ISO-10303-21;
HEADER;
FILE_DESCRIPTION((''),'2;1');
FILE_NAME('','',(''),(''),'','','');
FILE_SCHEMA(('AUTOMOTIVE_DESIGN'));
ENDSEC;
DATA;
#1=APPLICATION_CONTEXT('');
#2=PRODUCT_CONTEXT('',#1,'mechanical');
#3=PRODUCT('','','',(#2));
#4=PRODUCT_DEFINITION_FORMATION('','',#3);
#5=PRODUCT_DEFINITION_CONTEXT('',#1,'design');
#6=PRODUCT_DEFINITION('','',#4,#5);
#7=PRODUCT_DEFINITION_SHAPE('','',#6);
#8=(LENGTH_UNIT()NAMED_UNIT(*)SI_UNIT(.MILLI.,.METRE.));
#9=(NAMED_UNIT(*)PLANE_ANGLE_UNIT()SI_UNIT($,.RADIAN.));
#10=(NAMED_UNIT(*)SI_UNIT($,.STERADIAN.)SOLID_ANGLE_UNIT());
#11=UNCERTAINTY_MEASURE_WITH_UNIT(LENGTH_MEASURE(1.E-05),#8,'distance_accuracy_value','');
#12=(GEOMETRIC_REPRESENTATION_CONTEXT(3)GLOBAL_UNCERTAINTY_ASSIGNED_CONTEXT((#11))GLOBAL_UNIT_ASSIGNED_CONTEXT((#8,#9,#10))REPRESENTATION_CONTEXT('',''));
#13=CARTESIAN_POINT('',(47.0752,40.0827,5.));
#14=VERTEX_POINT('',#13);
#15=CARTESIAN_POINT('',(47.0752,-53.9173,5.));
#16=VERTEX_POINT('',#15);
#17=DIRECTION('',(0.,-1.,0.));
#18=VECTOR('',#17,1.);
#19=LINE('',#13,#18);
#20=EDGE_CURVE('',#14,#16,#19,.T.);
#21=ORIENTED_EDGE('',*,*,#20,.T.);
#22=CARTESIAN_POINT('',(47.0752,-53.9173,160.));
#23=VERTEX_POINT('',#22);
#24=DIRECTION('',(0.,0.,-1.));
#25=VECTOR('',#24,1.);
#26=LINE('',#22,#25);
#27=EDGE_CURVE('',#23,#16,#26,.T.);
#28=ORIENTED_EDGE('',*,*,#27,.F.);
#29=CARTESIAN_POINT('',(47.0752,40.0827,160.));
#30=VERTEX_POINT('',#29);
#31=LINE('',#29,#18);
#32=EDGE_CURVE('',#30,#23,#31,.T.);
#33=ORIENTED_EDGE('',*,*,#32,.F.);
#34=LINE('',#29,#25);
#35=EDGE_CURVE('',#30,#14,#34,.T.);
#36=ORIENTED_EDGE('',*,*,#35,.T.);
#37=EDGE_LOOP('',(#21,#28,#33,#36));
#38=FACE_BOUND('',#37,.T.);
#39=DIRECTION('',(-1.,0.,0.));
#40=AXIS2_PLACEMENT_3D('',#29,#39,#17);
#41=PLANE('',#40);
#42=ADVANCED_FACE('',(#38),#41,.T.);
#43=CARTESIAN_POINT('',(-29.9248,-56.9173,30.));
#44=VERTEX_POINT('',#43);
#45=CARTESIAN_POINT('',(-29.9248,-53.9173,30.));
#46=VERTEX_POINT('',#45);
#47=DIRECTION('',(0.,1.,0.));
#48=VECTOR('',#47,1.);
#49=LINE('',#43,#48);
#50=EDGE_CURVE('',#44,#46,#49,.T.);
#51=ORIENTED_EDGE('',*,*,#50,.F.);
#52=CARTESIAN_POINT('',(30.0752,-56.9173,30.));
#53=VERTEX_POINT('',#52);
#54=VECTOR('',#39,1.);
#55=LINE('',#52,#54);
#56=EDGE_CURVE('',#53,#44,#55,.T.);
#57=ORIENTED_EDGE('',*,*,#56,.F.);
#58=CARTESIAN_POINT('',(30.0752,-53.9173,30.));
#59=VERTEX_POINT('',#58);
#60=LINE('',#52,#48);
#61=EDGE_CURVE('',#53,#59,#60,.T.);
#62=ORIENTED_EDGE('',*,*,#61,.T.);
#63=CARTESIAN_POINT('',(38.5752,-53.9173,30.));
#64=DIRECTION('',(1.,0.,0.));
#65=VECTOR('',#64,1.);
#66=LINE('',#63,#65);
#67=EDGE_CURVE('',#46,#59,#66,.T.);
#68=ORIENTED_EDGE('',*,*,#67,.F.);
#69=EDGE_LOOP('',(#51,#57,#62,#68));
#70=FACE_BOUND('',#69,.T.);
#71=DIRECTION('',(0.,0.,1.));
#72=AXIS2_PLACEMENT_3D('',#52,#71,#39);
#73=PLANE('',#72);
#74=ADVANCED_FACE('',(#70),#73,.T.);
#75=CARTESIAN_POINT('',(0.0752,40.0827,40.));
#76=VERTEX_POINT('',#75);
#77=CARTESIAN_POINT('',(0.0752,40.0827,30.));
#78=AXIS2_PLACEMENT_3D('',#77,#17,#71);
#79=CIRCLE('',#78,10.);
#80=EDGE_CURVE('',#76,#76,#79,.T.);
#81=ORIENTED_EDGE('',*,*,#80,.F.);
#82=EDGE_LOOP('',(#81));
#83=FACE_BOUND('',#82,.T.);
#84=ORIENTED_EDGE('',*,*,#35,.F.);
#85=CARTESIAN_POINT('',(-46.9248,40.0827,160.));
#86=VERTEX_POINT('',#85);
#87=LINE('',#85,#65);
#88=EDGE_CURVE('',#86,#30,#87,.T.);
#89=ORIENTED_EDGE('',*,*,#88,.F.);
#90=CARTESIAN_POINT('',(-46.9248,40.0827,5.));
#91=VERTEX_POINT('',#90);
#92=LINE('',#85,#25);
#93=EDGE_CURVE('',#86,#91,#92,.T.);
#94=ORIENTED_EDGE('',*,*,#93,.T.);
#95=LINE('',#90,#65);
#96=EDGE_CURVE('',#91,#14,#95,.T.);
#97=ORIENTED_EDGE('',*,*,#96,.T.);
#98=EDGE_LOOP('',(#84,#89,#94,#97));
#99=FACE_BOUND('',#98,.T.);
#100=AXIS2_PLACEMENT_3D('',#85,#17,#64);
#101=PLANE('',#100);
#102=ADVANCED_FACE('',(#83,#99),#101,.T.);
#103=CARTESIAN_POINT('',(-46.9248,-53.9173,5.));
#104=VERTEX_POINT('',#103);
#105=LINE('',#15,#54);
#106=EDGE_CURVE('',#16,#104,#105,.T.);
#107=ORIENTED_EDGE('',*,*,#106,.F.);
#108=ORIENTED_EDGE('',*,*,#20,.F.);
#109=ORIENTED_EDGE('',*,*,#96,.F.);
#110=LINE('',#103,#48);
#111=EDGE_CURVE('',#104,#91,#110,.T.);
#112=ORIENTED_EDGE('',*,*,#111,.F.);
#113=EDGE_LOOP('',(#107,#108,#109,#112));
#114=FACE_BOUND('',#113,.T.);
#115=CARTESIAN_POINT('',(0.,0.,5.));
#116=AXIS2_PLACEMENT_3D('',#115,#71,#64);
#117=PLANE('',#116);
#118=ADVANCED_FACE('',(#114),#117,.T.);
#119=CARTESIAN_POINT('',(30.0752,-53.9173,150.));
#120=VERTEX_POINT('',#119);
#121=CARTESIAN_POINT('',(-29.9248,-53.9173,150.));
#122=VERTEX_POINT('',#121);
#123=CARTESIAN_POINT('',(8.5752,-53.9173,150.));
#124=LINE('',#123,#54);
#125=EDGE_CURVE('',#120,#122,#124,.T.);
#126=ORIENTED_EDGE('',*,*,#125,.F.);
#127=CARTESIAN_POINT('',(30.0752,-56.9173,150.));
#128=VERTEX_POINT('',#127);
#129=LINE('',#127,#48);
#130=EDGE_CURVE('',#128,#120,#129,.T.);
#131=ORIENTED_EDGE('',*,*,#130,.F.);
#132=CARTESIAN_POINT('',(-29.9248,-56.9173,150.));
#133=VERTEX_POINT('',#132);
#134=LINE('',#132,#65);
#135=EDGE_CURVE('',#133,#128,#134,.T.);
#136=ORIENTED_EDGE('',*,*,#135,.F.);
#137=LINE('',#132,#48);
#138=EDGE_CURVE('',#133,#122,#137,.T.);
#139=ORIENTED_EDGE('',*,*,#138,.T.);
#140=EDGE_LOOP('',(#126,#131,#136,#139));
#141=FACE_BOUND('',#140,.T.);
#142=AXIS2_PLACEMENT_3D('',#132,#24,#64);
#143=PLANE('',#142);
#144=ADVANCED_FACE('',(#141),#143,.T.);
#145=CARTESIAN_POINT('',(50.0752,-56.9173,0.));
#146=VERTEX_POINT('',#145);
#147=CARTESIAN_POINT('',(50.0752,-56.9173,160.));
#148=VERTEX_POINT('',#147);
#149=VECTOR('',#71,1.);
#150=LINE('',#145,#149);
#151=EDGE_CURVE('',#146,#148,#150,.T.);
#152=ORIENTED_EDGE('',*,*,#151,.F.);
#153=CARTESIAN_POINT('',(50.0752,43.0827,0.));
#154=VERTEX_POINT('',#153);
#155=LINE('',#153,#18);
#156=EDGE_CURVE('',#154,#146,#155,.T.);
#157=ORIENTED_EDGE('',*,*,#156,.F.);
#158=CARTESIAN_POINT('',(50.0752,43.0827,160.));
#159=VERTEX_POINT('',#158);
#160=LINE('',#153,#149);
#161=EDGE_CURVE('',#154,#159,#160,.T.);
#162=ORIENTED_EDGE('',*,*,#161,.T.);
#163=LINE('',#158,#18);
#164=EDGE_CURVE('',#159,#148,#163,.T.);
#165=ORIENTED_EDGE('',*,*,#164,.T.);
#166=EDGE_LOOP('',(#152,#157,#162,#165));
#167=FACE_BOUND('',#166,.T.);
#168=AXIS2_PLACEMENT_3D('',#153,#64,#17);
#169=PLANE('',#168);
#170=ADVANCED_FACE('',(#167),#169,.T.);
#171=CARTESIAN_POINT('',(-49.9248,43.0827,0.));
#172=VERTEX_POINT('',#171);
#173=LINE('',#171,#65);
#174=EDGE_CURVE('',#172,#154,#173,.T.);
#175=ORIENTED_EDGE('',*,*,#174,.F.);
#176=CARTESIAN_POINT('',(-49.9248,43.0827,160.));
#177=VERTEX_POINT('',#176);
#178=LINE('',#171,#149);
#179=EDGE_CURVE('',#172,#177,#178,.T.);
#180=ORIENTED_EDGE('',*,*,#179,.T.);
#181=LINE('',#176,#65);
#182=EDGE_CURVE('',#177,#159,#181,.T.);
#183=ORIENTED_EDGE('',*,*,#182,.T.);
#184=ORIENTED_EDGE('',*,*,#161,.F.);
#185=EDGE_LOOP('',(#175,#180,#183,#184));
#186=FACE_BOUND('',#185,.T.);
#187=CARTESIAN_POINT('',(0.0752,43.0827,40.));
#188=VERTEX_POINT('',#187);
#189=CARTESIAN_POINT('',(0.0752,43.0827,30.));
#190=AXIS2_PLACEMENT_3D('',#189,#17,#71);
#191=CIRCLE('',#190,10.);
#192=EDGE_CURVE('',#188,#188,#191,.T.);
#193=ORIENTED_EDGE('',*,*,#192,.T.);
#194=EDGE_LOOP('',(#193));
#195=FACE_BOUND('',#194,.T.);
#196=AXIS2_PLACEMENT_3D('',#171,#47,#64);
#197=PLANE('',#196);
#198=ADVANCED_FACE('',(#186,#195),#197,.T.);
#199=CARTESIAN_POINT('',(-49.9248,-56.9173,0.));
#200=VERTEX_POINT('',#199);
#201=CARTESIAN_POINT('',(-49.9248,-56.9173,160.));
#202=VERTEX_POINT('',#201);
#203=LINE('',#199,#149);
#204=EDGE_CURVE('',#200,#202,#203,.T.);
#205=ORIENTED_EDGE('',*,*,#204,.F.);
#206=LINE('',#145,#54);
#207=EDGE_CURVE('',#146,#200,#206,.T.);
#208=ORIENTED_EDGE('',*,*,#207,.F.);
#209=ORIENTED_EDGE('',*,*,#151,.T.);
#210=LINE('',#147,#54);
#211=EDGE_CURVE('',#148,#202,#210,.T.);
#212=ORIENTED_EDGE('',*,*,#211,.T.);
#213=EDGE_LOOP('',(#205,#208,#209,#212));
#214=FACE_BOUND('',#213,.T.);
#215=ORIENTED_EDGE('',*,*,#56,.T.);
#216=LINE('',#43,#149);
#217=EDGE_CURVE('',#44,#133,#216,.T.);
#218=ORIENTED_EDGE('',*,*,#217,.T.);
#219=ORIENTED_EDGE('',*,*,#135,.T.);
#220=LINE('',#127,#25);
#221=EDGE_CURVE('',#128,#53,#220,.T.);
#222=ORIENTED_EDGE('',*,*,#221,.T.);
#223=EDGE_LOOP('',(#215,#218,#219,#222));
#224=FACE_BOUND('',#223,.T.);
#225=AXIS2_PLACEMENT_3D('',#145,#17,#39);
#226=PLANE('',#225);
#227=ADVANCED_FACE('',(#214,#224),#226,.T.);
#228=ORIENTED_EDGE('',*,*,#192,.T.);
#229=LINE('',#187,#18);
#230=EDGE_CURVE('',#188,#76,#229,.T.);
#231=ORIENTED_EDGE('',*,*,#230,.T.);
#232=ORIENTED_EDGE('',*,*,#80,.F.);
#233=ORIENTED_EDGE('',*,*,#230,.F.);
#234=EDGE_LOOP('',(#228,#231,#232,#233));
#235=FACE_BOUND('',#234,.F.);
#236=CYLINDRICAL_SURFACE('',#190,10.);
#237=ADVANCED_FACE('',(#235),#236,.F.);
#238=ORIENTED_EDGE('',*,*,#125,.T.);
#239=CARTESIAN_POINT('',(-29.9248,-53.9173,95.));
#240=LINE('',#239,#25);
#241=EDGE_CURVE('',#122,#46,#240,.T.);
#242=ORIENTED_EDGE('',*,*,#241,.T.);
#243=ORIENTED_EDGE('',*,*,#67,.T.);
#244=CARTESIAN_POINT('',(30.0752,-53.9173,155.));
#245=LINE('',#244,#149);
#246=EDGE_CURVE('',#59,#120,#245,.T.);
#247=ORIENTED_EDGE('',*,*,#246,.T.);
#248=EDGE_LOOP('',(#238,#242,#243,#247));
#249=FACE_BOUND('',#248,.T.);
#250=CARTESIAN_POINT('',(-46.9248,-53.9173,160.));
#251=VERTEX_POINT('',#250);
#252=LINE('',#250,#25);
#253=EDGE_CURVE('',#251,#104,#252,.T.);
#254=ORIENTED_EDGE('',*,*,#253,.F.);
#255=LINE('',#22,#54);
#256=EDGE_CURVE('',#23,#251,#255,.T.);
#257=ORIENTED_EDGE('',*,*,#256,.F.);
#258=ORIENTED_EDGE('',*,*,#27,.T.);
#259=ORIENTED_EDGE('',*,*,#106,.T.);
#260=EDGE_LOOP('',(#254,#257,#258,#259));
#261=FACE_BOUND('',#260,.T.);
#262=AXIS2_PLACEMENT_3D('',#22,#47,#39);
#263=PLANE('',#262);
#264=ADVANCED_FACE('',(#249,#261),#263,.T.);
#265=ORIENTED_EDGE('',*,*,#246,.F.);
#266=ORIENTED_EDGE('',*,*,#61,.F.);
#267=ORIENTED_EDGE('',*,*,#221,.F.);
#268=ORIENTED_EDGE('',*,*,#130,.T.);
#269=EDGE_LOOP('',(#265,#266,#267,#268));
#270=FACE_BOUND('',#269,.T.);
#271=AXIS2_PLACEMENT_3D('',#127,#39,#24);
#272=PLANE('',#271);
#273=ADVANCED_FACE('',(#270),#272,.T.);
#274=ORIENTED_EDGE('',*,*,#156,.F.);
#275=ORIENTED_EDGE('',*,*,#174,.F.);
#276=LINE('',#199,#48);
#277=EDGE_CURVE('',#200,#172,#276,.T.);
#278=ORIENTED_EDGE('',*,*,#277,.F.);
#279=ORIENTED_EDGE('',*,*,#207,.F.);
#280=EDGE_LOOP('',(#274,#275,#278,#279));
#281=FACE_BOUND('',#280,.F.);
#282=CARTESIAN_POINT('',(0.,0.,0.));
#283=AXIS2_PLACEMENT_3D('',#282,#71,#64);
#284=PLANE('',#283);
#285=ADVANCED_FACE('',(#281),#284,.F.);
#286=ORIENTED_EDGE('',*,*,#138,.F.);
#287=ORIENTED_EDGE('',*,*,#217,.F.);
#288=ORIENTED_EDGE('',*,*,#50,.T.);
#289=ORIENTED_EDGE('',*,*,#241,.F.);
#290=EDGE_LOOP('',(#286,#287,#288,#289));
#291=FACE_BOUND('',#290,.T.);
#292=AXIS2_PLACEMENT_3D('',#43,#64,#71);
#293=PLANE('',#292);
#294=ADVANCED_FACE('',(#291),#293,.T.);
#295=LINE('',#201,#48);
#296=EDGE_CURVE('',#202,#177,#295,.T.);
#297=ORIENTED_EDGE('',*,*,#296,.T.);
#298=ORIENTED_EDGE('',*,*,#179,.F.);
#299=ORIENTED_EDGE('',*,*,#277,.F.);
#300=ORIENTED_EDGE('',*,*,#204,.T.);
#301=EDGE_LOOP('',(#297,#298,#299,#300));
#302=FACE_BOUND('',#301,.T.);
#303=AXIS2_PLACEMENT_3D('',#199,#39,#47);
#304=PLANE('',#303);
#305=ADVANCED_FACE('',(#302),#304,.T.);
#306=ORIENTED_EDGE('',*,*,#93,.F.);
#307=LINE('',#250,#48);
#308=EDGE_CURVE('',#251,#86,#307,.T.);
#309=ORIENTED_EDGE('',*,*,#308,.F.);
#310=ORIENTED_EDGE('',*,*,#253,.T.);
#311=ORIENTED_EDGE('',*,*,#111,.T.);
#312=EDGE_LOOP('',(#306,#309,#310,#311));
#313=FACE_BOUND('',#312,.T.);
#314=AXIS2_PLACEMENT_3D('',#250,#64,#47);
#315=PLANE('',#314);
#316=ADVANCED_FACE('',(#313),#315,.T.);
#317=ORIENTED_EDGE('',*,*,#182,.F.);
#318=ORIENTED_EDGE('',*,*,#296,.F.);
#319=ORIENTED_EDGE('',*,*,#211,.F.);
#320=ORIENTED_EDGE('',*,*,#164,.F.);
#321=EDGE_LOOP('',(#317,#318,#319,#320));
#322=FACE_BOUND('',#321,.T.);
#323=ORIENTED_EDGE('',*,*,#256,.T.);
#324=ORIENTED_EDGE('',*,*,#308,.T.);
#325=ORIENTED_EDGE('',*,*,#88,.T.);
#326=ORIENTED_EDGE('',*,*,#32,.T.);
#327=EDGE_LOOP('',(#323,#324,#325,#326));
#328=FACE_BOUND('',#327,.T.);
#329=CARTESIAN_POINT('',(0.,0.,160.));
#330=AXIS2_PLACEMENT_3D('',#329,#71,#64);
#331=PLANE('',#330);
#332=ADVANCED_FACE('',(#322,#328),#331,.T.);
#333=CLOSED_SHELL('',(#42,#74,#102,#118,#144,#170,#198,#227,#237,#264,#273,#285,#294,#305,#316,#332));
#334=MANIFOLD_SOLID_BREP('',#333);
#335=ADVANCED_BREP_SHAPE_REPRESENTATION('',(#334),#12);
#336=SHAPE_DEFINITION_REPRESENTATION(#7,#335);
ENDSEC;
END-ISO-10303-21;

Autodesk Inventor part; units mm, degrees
ref_plane "YZ Plane" through (0, 0, 0) normal (1, 0, 0) x (0, 1, 0)
ref_plane "XZ Plane" through (0, 0, 0) normal (0, 1, 0) x (-1, 0, 0)
ref_plane "XY Plane" through (0, 0, 0) normal (0, 0, 1) x (1, 0, 0)
sketch "Esquisse2" plane through (0, 0, 0) normal (0, 0, 1) x (1, 0, 0)
  line L0 (-49.9248, 43.0827) -> (50.0752, 43.0827)
  line L1 (50.0752, 43.0827) -> (50.0752, -56.9173)
  line L2 (50.0752, -56.9173) -> (-49.9248, -56.9173)
  line L3 (-49.9248, -56.9173) -> (-49.9248, 43.0827)
  point P0 (0, 0)
  dimension "d0" = 100
  dimension "d1" = 100
extrude "Extrusion1" add sketch "Esquisse2" along normal blind 160
sketch "Esquisse3" plane through (0, 0, 160) normal (0, 0, 1) x (1, 0, 0)
  line L0 (-46.9248, 40.0827) -> (47.0752, 40.0827)
  line L1 (47.0752, 40.0827) -> (47.0752, -53.9173)
  line L2 (47.0752, -53.9173) -> (-46.9248, -53.9173)
  line L3 (-46.9248, -53.9173) -> (-46.9248, 40.0827)
  line L4 (50.0752, 43.0827) -> (-49.9248, 43.0827) projected
  line L5 (50.0752, -56.9173) -> (50.0752, 43.0827) projected
  line L6 (-49.9248, -56.9173) -> (50.0752, -56.9173) projected
  line L7 (-49.9248, 43.0827) -> (-49.9248, -56.9173) projected
  point P0 (0, 0)
  dimension "d4" = 3
  dimension "d5" = 3
  dimension "d6" = 3
  dimension "d7" = 3
extrude "Extrusion2" cut sketch "Esquisse3" against normal blind 155 contours L0 L1 L2 L3
sketch "Esquisse4" plane through (-49.9248, 43.0827, 0) normal (0, 1, 0) x (1, 0, 0)
  circle A0 centre (50, -30) radius 9.7582
  line L0 (100, 0) -> (100, -160) projected
  line L1 (100, 0) -> (0, 0) projected
  point P0 (49.9248, 0)
  dimension "d10" = 50
  dimension "d11" = 30
hole "Perçage1" at (0.0752, 43.0827, 30) direction (0, -1, 0) diameter 20 depth 8 tip angle 118
sketch "Esquisse5" plane through (-49.9248, -56.9173, 0) normal (0, -1, 0) x (1, 0, 0)
  line L0 (20, 150) -> (80, 150)
  line L1 (80, 150) -> (80, 30)
  line L2 (80, 30) -> (20, 30)
  line L3 (20, 30) -> (20, 150)
  line L4 (0, 0) -> (100, 0) projected
  line L5 (100, 0) -> (100, 160) projected
  point P0 (49.9248, 0)
  dimension "d19" = 60
  dimension "d20" = 120
  dimension "d21" = 30
  dimension "d22" = 20
extrude "Extrusion3" cut sketch "Esquisse5" against normal blind 5
properties part number "bloc station"
